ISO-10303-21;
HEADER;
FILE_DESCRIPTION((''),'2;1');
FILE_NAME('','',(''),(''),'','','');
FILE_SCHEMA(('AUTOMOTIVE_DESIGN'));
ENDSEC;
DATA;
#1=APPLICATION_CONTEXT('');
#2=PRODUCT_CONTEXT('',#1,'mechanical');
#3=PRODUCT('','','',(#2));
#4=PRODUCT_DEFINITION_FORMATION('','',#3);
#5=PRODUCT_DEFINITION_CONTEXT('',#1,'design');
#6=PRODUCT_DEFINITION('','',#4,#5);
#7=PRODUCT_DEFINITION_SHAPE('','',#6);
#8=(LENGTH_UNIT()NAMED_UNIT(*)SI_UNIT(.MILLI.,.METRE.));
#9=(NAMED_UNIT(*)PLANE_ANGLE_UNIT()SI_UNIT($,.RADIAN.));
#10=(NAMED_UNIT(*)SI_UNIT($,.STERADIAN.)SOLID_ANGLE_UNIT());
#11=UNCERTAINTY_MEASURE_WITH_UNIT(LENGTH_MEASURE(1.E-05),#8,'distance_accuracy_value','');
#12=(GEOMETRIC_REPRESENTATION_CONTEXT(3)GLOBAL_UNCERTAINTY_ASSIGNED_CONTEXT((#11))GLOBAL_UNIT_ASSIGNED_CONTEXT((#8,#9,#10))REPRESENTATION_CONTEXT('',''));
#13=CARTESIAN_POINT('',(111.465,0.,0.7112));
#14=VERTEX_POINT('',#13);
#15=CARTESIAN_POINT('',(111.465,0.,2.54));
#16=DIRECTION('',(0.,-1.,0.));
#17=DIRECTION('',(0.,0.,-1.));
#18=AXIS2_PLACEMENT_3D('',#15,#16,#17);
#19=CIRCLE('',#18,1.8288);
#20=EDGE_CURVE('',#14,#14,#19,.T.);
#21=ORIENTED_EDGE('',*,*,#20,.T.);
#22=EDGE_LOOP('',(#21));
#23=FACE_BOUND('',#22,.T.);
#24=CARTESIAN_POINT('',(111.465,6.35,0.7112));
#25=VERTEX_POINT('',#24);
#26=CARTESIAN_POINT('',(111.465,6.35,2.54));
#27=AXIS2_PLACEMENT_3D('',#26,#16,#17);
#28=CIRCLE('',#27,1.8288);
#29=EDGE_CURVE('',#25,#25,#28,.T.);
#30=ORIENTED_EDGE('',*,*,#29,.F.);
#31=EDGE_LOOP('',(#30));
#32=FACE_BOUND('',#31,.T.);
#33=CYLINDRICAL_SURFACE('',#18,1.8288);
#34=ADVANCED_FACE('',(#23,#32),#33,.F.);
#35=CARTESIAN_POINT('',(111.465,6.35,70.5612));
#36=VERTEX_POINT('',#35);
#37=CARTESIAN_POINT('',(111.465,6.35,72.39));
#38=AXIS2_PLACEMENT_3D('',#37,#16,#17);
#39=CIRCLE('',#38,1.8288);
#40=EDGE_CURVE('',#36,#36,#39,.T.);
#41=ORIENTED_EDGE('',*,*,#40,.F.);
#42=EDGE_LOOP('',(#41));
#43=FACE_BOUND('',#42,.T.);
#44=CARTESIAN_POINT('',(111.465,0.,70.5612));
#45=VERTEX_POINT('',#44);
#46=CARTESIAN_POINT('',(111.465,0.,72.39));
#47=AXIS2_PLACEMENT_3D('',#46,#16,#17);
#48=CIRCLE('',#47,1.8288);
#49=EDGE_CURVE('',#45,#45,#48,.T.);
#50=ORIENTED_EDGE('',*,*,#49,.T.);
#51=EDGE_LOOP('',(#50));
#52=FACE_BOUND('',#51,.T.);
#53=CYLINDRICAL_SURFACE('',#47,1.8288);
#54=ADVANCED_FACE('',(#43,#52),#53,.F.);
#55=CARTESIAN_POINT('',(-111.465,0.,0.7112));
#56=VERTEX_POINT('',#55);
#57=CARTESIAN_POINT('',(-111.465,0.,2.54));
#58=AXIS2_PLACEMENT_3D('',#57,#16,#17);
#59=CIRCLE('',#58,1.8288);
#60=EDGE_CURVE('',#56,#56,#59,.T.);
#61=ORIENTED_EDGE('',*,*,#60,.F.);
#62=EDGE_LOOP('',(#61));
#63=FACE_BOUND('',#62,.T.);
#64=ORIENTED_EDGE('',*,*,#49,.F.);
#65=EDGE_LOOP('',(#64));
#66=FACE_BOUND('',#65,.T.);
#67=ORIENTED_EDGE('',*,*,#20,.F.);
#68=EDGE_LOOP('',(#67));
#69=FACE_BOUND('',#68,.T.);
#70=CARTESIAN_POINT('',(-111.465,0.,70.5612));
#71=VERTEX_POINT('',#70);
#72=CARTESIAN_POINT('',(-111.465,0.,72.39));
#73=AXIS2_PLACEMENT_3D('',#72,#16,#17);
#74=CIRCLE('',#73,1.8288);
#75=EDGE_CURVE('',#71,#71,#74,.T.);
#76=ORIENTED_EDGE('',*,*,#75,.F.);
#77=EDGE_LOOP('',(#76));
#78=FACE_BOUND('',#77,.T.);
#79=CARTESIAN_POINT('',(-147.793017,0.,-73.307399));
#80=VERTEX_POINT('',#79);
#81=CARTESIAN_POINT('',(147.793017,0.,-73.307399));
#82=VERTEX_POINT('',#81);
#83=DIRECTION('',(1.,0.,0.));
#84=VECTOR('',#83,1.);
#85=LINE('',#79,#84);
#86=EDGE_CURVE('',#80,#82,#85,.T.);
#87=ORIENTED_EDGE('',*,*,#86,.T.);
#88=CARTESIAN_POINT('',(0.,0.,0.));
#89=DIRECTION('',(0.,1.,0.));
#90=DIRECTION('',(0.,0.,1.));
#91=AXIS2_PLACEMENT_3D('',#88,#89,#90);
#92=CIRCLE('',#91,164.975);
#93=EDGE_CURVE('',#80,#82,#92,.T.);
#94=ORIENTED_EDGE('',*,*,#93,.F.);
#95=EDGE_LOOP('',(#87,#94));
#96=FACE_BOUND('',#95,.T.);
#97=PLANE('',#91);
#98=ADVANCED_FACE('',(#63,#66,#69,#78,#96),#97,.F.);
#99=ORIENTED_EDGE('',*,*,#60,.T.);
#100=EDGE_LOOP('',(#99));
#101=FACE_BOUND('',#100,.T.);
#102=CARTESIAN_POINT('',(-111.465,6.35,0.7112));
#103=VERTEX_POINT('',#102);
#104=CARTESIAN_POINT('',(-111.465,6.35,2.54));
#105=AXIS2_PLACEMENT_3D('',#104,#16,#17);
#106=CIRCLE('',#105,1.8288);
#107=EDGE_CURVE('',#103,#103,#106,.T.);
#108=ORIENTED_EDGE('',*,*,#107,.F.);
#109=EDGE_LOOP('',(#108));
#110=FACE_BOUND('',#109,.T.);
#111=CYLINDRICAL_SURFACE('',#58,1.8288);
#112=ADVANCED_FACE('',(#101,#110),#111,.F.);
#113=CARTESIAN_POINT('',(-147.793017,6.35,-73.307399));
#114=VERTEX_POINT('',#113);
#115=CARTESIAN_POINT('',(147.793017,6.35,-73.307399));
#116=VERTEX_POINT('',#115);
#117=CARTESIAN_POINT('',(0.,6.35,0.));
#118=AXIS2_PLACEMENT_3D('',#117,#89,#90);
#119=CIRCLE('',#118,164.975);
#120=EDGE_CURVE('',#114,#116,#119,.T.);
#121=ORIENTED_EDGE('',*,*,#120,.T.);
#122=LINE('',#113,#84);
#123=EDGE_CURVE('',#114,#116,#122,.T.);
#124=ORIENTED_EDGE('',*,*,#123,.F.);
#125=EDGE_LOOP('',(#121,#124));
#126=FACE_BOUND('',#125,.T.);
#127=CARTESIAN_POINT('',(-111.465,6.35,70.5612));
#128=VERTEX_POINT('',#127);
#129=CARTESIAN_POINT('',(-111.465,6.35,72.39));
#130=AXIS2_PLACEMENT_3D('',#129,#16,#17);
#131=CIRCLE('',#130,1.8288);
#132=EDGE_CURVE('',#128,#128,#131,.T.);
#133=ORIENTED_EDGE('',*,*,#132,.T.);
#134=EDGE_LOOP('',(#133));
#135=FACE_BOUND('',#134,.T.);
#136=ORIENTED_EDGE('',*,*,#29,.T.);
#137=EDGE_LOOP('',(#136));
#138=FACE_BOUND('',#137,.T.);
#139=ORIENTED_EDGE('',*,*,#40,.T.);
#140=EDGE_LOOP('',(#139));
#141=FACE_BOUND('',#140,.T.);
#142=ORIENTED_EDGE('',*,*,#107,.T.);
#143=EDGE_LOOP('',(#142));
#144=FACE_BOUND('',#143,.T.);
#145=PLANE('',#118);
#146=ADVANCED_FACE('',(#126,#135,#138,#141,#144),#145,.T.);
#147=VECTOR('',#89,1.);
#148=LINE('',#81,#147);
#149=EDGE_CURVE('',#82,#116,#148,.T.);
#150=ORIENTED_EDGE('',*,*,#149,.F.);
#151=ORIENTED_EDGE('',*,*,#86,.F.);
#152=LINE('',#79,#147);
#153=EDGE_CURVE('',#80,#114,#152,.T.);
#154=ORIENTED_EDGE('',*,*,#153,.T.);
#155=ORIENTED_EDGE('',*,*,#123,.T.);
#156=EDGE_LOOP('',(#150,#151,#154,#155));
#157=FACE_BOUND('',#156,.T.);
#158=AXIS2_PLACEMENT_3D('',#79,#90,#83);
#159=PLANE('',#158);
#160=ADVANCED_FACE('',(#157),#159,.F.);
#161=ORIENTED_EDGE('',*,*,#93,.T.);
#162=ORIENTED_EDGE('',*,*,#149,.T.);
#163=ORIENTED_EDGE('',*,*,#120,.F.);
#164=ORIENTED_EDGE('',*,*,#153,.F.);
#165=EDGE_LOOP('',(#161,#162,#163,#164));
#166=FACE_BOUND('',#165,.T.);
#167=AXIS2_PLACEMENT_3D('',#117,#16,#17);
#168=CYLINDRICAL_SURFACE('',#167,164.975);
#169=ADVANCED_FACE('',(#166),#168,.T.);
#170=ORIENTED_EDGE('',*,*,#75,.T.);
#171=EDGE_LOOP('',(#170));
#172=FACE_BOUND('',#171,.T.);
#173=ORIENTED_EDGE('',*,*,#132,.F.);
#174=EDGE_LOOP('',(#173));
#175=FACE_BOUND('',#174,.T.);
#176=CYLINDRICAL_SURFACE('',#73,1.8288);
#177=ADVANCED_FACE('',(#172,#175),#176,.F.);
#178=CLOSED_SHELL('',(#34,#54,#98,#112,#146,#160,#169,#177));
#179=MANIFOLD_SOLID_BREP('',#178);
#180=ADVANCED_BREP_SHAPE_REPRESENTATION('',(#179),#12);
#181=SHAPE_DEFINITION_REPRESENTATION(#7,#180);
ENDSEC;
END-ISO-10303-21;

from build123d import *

# Parameters (mm, degrees)
SKETCH1_R             = 164.975
BOSS_EXTRUDE1_DEPTH   = 6.35
F_6_CLEARANCE_HOLE1_D = 3.6576
CUT_EXTRUDE1_START    = -6.35
CUT_EXTRUDE1_DEPTH    = 6.35


with BuildPart() as part:
    # Sketch1 → Boss-Extrude1 (new body)
    with BuildSketch(Plane(origin=(0, 0, 0), x_dir=(1, 0, 0), z_dir=(0, 1, 0))):
        with Locations(Location((0, 0, 0), (0, 0, 270))):
            Circle(SKETCH1_R)
    extrude(amount=BOSS_EXTRUDE1_DEPTH)

    # #6 Clearance Hole1 (through all)
    with Locations(Plane(origin=(111.465, 0, 2.54), x_dir=(0, 0, -1), z_dir=(0, -1, 0))):
        with Locations((0, 0), (-69.85, 0), (-69.85, -222.93), (0, -222.93)):
            Hole(F_6_CLEARANCE_HOLE1_D / 2)

    # Sketch9 → Cut-Extrude1 (cut)
    with BuildSketch(Plane(origin=(0, 6.35, 0), x_dir=(1, 0, 0), z_dir=(0, 1, 0)).offset(CUT_EXTRUDE1_START)):
        with BuildLine():
            Line((-147.793016902, 73.307399216), (147.793016902, 73.307399216))
            ThreePointArc((147.793016902, 73.307399216), (0, 164.975), (-147.793016902, 73.307399216))
        make_face()
    extrude(amount=CUT_EXTRUDE1_DEPTH, mode=Mode.SUBTRACT)


solid = part.part
